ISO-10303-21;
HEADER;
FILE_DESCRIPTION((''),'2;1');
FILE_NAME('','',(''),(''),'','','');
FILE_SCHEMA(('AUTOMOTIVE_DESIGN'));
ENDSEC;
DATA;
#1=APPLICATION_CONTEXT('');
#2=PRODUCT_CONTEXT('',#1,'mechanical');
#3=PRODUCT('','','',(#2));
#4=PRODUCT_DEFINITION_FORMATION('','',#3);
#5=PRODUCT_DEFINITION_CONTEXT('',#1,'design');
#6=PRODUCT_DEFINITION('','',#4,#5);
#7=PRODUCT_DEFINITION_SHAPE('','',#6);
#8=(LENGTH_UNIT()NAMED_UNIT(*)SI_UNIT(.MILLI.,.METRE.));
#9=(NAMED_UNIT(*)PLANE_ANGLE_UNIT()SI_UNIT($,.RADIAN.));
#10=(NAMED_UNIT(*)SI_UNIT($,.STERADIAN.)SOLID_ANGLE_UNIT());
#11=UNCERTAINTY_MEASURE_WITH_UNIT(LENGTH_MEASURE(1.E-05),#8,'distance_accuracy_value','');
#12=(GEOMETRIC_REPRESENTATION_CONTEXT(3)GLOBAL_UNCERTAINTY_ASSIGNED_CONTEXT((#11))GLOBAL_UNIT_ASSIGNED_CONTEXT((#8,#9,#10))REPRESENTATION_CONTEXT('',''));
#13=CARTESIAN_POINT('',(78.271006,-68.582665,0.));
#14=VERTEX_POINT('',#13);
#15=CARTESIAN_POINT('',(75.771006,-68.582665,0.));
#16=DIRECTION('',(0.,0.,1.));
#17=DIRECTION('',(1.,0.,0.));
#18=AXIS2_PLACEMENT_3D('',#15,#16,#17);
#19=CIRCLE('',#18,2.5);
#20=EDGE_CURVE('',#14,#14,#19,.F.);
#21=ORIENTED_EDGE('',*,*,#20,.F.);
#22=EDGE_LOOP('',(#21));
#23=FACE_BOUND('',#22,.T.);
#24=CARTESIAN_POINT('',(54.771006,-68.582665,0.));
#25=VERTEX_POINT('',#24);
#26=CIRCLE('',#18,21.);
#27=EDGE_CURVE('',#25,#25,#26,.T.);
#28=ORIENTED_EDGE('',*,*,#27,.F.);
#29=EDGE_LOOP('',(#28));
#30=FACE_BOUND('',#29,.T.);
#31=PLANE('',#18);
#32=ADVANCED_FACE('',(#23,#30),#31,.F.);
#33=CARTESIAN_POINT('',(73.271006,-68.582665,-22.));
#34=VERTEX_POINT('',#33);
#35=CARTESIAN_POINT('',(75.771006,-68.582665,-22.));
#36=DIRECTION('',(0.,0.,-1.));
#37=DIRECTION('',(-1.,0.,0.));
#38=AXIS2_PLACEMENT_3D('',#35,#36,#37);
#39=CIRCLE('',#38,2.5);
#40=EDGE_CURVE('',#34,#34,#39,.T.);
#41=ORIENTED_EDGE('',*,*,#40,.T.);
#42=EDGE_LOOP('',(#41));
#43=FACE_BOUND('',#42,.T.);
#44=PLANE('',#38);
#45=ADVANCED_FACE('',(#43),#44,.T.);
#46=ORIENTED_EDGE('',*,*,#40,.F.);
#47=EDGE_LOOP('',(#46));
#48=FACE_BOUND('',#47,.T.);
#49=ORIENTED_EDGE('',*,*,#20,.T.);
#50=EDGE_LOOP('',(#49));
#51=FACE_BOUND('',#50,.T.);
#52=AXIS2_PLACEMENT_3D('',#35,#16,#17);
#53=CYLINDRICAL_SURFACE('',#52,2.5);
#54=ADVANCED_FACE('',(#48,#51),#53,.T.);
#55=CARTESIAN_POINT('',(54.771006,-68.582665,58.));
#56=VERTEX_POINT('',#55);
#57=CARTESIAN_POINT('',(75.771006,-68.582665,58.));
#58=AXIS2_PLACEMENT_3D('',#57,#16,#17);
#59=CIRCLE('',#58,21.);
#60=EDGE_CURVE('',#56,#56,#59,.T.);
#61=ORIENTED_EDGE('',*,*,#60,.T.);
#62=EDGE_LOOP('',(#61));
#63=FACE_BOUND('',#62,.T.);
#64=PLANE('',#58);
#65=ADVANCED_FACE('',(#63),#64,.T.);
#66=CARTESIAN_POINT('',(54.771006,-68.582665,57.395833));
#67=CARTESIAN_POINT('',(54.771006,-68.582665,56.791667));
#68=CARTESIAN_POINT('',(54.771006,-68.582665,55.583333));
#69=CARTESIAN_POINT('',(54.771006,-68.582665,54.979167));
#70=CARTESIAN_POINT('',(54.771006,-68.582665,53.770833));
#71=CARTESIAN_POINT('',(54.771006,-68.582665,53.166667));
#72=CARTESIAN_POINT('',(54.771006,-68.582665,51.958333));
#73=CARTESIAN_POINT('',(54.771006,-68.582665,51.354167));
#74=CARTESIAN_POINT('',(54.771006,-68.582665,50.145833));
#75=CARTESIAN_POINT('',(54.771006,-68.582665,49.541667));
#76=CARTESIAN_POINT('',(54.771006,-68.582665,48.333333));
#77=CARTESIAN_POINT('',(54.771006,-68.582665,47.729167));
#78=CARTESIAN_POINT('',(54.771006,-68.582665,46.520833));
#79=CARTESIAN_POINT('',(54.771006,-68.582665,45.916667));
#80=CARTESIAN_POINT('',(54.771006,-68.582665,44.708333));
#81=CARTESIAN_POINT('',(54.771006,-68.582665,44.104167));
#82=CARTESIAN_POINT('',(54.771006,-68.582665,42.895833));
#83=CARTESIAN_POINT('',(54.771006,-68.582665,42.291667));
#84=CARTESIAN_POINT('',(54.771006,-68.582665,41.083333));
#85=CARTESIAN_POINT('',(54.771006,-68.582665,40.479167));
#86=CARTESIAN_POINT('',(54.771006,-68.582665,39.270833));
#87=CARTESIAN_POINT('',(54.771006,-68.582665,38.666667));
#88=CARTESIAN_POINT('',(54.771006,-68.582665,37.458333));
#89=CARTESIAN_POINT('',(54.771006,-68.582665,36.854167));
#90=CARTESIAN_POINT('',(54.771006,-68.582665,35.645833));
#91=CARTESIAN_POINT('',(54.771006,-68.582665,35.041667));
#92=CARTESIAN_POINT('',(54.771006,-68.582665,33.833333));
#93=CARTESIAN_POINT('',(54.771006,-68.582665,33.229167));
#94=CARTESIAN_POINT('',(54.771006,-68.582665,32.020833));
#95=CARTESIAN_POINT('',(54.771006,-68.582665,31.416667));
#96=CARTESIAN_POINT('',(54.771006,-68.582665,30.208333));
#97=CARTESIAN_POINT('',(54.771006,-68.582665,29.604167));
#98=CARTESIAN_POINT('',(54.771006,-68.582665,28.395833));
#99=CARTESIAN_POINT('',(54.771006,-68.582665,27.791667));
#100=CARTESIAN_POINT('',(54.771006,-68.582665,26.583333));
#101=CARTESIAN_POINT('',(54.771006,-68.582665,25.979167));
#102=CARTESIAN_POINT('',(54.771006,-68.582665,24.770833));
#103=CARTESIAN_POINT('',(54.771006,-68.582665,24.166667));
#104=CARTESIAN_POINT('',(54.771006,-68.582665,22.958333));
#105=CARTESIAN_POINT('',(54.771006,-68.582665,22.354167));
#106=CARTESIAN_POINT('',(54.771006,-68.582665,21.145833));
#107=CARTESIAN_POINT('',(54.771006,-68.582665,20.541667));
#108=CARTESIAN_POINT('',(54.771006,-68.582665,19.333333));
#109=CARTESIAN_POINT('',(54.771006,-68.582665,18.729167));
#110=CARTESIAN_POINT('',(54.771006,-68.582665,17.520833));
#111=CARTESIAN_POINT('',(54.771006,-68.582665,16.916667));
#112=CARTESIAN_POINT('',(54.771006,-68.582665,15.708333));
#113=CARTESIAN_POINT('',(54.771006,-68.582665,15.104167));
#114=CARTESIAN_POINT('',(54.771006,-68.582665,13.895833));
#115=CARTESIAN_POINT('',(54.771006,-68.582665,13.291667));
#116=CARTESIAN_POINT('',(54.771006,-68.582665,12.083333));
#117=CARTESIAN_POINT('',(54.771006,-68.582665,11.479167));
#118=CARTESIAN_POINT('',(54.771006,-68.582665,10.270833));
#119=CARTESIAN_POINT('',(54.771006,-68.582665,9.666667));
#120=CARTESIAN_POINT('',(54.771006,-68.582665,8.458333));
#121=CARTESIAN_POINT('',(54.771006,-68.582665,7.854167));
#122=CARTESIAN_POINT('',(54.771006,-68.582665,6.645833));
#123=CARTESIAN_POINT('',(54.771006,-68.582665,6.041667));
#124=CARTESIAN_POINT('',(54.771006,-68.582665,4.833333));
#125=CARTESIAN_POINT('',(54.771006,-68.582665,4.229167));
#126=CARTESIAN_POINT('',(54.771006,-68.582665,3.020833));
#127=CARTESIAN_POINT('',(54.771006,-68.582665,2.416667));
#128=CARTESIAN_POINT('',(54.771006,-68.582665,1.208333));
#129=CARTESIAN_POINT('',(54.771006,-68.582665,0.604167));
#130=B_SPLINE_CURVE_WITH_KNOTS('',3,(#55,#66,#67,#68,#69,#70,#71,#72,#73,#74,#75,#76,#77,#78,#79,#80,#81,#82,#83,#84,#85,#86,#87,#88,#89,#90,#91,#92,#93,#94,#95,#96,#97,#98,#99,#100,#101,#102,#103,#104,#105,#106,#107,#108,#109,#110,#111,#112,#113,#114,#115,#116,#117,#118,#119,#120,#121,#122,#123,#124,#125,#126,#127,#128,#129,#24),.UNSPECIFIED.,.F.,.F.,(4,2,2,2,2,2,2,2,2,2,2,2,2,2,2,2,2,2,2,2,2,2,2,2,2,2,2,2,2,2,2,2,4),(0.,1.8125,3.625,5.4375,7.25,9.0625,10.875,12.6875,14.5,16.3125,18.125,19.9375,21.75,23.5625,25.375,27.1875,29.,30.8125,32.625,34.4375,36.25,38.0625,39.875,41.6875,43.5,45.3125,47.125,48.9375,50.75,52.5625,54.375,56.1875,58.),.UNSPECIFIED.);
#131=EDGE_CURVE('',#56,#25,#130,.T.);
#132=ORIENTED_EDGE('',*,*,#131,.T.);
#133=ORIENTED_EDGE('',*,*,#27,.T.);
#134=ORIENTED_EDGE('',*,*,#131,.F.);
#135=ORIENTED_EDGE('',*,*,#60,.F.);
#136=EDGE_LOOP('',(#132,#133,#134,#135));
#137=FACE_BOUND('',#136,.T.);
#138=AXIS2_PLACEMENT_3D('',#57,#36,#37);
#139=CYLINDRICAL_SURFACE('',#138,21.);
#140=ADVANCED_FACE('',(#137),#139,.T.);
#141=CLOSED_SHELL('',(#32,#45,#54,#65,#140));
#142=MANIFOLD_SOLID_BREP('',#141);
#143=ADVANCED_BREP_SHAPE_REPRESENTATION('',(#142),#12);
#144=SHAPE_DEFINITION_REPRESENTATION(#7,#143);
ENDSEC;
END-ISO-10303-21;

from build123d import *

# Parameters (mm, degrees)
SKETCH1_R         = 21
EXTRUDE_296_DEPTH = 58
SKETCH2_R         = 2.5
EXTRUDE_387_DEPTH = 22


with BuildPart() as part:
    # Sketch1 → Extrude 296 (new body)
    with BuildSketch(Plane.XY):
        with Locations(Location((75.771006381, -68.582665129, 0), (0, 0, 180))):
            Circle(SKETCH1_R)
    extrude(amount=EXTRUDE_296_DEPTH)

    # Sketch2 → Extrude 387 (add)
    with BuildSketch(Plane(origin=(0, 0, 0), x_dir=(-1, 0, 0), z_dir=(0, 0, -1))):
        with Locations(Location((-75.771006381, -68.582665129, 0), (0, 0, 180))):
            Circle(SKETCH2_R)
    extrude(amount=EXTRUDE_387_DEPTH)


solid = part.part
